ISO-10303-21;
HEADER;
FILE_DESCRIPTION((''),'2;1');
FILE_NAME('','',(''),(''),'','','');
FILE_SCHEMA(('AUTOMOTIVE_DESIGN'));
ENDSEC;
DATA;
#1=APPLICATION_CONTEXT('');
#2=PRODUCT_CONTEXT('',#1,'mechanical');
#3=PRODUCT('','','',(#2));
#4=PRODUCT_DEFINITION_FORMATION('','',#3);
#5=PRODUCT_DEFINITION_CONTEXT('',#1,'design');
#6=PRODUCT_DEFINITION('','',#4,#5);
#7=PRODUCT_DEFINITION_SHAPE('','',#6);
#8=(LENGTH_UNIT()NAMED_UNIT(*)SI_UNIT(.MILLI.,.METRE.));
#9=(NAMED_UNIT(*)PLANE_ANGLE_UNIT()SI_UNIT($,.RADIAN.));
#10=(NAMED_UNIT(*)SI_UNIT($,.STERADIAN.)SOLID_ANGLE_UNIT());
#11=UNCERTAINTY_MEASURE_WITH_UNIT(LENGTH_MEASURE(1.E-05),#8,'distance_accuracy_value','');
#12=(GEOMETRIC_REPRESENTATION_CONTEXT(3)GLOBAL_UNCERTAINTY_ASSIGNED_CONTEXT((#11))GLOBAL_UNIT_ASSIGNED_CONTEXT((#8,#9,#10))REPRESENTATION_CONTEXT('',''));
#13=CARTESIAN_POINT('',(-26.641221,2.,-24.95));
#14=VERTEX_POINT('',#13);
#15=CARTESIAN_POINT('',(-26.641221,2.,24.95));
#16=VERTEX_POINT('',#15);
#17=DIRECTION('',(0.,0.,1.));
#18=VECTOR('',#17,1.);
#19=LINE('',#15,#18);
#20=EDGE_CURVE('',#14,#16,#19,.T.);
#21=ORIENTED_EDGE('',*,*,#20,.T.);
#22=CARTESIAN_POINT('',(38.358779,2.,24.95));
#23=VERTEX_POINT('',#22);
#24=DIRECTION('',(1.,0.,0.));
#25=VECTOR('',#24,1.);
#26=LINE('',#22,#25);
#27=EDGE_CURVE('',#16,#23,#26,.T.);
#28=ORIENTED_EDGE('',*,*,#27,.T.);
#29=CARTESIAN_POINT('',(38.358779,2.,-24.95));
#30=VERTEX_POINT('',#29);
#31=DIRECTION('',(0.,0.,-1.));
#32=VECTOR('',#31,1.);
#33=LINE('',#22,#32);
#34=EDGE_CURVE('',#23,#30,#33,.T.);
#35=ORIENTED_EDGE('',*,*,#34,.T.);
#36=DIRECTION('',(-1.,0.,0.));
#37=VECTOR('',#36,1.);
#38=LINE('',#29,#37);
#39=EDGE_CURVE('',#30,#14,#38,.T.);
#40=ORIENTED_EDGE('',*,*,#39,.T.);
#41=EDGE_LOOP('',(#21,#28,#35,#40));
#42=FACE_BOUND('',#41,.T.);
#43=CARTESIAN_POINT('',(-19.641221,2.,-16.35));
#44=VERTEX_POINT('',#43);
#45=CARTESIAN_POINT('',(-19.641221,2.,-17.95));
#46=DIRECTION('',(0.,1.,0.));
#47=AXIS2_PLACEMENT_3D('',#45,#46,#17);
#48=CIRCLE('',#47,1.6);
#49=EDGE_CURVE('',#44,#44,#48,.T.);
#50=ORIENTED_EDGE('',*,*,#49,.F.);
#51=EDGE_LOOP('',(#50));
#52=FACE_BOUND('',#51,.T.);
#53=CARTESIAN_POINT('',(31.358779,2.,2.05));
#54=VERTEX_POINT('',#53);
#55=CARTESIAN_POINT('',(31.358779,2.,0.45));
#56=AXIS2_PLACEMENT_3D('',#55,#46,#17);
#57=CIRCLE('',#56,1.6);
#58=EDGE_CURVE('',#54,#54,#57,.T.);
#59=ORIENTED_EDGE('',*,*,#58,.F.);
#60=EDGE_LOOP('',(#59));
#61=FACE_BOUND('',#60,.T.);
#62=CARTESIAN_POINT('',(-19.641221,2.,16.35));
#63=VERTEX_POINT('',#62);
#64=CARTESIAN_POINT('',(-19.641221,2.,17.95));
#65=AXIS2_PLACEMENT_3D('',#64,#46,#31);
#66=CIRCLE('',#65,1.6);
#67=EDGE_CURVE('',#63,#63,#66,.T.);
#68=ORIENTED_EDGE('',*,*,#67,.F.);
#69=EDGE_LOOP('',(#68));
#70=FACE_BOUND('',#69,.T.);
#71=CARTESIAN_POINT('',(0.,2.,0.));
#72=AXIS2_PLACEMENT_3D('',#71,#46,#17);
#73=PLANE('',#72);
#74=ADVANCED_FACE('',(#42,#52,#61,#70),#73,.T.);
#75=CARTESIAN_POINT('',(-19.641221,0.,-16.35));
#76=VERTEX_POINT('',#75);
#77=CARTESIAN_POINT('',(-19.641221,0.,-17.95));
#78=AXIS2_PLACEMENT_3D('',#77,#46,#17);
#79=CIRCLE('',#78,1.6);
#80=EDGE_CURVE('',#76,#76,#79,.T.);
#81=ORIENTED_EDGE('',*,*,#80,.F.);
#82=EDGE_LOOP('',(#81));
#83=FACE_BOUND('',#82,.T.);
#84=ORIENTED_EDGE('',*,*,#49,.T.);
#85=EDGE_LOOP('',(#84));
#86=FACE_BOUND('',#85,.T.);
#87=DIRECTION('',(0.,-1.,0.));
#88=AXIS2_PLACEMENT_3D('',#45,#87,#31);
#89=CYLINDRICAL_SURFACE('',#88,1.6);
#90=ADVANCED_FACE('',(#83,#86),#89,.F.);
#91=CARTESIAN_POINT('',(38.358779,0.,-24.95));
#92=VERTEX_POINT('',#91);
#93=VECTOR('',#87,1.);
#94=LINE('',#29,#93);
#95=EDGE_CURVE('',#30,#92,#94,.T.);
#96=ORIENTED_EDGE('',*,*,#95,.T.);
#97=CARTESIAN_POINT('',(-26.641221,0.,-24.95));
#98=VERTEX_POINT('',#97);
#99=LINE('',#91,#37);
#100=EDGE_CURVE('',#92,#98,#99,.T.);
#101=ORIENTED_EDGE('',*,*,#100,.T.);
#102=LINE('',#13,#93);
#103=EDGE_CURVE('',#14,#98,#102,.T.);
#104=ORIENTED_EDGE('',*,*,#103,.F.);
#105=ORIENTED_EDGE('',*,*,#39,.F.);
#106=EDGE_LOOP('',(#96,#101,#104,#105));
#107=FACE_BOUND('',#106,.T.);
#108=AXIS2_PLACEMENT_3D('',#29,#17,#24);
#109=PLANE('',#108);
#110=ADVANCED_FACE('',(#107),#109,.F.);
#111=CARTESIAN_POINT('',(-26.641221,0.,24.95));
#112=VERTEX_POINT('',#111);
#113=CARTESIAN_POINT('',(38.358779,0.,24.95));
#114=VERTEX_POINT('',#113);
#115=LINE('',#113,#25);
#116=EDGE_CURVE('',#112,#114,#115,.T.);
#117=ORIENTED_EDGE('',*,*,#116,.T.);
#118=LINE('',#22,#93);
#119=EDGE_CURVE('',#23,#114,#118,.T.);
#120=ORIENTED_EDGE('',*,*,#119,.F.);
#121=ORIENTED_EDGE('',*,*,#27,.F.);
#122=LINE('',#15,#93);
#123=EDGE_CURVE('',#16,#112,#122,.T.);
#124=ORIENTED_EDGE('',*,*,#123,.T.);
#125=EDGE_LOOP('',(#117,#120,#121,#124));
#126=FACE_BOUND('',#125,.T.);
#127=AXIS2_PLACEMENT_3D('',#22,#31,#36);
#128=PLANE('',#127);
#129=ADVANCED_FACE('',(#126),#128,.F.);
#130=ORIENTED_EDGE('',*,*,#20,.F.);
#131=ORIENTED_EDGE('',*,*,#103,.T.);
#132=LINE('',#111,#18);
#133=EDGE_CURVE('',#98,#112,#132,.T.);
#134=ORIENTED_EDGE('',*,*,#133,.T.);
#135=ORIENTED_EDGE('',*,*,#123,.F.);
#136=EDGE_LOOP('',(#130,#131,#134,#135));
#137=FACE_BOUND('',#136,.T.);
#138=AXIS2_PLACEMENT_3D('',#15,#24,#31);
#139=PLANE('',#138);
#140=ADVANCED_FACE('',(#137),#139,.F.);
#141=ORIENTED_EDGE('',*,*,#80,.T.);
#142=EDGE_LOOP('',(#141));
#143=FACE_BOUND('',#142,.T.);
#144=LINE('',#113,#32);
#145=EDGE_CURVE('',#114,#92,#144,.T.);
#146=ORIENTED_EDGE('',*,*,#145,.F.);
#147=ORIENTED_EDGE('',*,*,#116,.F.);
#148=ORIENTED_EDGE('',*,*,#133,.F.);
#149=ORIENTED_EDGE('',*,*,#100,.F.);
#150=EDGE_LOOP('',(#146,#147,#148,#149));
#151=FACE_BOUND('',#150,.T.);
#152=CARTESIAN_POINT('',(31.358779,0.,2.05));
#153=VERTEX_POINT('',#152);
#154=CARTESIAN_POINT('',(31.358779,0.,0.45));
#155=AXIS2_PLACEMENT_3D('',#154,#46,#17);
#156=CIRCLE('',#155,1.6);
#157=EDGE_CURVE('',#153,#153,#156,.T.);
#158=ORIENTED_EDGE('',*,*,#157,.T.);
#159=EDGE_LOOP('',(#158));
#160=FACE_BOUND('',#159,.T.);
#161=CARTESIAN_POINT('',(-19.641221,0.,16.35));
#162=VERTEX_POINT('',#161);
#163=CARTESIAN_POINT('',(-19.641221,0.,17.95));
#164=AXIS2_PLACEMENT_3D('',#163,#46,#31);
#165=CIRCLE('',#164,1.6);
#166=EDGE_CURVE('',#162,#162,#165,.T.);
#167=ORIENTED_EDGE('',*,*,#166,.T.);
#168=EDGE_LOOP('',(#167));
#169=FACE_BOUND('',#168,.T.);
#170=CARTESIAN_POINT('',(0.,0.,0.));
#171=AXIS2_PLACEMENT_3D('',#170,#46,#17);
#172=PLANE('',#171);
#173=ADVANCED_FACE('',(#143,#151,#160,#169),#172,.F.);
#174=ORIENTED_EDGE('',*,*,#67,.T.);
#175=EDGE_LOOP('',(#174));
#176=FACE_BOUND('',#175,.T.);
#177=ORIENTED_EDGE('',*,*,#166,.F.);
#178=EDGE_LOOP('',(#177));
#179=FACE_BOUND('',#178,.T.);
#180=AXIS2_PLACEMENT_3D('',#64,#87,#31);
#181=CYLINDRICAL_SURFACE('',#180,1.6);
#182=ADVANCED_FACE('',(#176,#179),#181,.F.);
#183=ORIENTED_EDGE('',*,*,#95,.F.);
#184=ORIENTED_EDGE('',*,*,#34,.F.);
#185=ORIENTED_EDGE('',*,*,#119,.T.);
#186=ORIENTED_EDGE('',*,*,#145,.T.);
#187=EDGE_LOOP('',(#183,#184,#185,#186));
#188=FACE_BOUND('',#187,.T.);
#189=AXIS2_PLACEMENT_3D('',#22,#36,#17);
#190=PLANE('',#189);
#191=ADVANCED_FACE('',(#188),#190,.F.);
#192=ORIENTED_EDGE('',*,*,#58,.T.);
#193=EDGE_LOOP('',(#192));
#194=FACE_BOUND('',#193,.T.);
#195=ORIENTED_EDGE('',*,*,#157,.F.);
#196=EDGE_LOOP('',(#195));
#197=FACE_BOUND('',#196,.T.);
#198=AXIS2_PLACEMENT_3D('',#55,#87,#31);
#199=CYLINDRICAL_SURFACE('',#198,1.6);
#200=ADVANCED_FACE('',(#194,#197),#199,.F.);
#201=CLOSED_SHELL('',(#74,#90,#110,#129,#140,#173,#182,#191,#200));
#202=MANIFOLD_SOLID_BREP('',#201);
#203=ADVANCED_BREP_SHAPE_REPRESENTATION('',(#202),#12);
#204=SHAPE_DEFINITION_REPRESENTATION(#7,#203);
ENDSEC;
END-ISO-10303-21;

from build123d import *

# Parameters (mm, degrees)
SKETCH1_W           = 65
SKETCH1_H           = 49.9
SKETCH1_R           = 1.6
BOSS_EXTRUDE1_DEPTH = 2


with BuildPart() as part:
    # Sketch1 → Boss-Extrude1 (new body)
    with BuildSketch(Plane(origin=(0, 0, 0), x_dir=(1, 0, 0), z_dir=(0, 1, 0))):
        with Locations((5.858778736, 0)):
            Rectangle(SKETCH1_W, SKETCH1_H)
        with Locations(Location((-19.641221264, 17.95, 0), (0, 0, 270))):
            Circle(SKETCH1_R, mode=Mode.SUBTRACT)
        with Locations(Location((-19.641221264, -17.95, 0), (0, 0, 90))):
            Circle(SKETCH1_R, mode=Mode.SUBTRACT)
        with Locations(Location((31.358778736, -0.45, 0), (0, 0, 270))):
            Circle(SKETCH1_R, mode=Mode.SUBTRACT)
    extrude(amount=BOSS_EXTRUDE1_DEPTH)


solid = part.part
